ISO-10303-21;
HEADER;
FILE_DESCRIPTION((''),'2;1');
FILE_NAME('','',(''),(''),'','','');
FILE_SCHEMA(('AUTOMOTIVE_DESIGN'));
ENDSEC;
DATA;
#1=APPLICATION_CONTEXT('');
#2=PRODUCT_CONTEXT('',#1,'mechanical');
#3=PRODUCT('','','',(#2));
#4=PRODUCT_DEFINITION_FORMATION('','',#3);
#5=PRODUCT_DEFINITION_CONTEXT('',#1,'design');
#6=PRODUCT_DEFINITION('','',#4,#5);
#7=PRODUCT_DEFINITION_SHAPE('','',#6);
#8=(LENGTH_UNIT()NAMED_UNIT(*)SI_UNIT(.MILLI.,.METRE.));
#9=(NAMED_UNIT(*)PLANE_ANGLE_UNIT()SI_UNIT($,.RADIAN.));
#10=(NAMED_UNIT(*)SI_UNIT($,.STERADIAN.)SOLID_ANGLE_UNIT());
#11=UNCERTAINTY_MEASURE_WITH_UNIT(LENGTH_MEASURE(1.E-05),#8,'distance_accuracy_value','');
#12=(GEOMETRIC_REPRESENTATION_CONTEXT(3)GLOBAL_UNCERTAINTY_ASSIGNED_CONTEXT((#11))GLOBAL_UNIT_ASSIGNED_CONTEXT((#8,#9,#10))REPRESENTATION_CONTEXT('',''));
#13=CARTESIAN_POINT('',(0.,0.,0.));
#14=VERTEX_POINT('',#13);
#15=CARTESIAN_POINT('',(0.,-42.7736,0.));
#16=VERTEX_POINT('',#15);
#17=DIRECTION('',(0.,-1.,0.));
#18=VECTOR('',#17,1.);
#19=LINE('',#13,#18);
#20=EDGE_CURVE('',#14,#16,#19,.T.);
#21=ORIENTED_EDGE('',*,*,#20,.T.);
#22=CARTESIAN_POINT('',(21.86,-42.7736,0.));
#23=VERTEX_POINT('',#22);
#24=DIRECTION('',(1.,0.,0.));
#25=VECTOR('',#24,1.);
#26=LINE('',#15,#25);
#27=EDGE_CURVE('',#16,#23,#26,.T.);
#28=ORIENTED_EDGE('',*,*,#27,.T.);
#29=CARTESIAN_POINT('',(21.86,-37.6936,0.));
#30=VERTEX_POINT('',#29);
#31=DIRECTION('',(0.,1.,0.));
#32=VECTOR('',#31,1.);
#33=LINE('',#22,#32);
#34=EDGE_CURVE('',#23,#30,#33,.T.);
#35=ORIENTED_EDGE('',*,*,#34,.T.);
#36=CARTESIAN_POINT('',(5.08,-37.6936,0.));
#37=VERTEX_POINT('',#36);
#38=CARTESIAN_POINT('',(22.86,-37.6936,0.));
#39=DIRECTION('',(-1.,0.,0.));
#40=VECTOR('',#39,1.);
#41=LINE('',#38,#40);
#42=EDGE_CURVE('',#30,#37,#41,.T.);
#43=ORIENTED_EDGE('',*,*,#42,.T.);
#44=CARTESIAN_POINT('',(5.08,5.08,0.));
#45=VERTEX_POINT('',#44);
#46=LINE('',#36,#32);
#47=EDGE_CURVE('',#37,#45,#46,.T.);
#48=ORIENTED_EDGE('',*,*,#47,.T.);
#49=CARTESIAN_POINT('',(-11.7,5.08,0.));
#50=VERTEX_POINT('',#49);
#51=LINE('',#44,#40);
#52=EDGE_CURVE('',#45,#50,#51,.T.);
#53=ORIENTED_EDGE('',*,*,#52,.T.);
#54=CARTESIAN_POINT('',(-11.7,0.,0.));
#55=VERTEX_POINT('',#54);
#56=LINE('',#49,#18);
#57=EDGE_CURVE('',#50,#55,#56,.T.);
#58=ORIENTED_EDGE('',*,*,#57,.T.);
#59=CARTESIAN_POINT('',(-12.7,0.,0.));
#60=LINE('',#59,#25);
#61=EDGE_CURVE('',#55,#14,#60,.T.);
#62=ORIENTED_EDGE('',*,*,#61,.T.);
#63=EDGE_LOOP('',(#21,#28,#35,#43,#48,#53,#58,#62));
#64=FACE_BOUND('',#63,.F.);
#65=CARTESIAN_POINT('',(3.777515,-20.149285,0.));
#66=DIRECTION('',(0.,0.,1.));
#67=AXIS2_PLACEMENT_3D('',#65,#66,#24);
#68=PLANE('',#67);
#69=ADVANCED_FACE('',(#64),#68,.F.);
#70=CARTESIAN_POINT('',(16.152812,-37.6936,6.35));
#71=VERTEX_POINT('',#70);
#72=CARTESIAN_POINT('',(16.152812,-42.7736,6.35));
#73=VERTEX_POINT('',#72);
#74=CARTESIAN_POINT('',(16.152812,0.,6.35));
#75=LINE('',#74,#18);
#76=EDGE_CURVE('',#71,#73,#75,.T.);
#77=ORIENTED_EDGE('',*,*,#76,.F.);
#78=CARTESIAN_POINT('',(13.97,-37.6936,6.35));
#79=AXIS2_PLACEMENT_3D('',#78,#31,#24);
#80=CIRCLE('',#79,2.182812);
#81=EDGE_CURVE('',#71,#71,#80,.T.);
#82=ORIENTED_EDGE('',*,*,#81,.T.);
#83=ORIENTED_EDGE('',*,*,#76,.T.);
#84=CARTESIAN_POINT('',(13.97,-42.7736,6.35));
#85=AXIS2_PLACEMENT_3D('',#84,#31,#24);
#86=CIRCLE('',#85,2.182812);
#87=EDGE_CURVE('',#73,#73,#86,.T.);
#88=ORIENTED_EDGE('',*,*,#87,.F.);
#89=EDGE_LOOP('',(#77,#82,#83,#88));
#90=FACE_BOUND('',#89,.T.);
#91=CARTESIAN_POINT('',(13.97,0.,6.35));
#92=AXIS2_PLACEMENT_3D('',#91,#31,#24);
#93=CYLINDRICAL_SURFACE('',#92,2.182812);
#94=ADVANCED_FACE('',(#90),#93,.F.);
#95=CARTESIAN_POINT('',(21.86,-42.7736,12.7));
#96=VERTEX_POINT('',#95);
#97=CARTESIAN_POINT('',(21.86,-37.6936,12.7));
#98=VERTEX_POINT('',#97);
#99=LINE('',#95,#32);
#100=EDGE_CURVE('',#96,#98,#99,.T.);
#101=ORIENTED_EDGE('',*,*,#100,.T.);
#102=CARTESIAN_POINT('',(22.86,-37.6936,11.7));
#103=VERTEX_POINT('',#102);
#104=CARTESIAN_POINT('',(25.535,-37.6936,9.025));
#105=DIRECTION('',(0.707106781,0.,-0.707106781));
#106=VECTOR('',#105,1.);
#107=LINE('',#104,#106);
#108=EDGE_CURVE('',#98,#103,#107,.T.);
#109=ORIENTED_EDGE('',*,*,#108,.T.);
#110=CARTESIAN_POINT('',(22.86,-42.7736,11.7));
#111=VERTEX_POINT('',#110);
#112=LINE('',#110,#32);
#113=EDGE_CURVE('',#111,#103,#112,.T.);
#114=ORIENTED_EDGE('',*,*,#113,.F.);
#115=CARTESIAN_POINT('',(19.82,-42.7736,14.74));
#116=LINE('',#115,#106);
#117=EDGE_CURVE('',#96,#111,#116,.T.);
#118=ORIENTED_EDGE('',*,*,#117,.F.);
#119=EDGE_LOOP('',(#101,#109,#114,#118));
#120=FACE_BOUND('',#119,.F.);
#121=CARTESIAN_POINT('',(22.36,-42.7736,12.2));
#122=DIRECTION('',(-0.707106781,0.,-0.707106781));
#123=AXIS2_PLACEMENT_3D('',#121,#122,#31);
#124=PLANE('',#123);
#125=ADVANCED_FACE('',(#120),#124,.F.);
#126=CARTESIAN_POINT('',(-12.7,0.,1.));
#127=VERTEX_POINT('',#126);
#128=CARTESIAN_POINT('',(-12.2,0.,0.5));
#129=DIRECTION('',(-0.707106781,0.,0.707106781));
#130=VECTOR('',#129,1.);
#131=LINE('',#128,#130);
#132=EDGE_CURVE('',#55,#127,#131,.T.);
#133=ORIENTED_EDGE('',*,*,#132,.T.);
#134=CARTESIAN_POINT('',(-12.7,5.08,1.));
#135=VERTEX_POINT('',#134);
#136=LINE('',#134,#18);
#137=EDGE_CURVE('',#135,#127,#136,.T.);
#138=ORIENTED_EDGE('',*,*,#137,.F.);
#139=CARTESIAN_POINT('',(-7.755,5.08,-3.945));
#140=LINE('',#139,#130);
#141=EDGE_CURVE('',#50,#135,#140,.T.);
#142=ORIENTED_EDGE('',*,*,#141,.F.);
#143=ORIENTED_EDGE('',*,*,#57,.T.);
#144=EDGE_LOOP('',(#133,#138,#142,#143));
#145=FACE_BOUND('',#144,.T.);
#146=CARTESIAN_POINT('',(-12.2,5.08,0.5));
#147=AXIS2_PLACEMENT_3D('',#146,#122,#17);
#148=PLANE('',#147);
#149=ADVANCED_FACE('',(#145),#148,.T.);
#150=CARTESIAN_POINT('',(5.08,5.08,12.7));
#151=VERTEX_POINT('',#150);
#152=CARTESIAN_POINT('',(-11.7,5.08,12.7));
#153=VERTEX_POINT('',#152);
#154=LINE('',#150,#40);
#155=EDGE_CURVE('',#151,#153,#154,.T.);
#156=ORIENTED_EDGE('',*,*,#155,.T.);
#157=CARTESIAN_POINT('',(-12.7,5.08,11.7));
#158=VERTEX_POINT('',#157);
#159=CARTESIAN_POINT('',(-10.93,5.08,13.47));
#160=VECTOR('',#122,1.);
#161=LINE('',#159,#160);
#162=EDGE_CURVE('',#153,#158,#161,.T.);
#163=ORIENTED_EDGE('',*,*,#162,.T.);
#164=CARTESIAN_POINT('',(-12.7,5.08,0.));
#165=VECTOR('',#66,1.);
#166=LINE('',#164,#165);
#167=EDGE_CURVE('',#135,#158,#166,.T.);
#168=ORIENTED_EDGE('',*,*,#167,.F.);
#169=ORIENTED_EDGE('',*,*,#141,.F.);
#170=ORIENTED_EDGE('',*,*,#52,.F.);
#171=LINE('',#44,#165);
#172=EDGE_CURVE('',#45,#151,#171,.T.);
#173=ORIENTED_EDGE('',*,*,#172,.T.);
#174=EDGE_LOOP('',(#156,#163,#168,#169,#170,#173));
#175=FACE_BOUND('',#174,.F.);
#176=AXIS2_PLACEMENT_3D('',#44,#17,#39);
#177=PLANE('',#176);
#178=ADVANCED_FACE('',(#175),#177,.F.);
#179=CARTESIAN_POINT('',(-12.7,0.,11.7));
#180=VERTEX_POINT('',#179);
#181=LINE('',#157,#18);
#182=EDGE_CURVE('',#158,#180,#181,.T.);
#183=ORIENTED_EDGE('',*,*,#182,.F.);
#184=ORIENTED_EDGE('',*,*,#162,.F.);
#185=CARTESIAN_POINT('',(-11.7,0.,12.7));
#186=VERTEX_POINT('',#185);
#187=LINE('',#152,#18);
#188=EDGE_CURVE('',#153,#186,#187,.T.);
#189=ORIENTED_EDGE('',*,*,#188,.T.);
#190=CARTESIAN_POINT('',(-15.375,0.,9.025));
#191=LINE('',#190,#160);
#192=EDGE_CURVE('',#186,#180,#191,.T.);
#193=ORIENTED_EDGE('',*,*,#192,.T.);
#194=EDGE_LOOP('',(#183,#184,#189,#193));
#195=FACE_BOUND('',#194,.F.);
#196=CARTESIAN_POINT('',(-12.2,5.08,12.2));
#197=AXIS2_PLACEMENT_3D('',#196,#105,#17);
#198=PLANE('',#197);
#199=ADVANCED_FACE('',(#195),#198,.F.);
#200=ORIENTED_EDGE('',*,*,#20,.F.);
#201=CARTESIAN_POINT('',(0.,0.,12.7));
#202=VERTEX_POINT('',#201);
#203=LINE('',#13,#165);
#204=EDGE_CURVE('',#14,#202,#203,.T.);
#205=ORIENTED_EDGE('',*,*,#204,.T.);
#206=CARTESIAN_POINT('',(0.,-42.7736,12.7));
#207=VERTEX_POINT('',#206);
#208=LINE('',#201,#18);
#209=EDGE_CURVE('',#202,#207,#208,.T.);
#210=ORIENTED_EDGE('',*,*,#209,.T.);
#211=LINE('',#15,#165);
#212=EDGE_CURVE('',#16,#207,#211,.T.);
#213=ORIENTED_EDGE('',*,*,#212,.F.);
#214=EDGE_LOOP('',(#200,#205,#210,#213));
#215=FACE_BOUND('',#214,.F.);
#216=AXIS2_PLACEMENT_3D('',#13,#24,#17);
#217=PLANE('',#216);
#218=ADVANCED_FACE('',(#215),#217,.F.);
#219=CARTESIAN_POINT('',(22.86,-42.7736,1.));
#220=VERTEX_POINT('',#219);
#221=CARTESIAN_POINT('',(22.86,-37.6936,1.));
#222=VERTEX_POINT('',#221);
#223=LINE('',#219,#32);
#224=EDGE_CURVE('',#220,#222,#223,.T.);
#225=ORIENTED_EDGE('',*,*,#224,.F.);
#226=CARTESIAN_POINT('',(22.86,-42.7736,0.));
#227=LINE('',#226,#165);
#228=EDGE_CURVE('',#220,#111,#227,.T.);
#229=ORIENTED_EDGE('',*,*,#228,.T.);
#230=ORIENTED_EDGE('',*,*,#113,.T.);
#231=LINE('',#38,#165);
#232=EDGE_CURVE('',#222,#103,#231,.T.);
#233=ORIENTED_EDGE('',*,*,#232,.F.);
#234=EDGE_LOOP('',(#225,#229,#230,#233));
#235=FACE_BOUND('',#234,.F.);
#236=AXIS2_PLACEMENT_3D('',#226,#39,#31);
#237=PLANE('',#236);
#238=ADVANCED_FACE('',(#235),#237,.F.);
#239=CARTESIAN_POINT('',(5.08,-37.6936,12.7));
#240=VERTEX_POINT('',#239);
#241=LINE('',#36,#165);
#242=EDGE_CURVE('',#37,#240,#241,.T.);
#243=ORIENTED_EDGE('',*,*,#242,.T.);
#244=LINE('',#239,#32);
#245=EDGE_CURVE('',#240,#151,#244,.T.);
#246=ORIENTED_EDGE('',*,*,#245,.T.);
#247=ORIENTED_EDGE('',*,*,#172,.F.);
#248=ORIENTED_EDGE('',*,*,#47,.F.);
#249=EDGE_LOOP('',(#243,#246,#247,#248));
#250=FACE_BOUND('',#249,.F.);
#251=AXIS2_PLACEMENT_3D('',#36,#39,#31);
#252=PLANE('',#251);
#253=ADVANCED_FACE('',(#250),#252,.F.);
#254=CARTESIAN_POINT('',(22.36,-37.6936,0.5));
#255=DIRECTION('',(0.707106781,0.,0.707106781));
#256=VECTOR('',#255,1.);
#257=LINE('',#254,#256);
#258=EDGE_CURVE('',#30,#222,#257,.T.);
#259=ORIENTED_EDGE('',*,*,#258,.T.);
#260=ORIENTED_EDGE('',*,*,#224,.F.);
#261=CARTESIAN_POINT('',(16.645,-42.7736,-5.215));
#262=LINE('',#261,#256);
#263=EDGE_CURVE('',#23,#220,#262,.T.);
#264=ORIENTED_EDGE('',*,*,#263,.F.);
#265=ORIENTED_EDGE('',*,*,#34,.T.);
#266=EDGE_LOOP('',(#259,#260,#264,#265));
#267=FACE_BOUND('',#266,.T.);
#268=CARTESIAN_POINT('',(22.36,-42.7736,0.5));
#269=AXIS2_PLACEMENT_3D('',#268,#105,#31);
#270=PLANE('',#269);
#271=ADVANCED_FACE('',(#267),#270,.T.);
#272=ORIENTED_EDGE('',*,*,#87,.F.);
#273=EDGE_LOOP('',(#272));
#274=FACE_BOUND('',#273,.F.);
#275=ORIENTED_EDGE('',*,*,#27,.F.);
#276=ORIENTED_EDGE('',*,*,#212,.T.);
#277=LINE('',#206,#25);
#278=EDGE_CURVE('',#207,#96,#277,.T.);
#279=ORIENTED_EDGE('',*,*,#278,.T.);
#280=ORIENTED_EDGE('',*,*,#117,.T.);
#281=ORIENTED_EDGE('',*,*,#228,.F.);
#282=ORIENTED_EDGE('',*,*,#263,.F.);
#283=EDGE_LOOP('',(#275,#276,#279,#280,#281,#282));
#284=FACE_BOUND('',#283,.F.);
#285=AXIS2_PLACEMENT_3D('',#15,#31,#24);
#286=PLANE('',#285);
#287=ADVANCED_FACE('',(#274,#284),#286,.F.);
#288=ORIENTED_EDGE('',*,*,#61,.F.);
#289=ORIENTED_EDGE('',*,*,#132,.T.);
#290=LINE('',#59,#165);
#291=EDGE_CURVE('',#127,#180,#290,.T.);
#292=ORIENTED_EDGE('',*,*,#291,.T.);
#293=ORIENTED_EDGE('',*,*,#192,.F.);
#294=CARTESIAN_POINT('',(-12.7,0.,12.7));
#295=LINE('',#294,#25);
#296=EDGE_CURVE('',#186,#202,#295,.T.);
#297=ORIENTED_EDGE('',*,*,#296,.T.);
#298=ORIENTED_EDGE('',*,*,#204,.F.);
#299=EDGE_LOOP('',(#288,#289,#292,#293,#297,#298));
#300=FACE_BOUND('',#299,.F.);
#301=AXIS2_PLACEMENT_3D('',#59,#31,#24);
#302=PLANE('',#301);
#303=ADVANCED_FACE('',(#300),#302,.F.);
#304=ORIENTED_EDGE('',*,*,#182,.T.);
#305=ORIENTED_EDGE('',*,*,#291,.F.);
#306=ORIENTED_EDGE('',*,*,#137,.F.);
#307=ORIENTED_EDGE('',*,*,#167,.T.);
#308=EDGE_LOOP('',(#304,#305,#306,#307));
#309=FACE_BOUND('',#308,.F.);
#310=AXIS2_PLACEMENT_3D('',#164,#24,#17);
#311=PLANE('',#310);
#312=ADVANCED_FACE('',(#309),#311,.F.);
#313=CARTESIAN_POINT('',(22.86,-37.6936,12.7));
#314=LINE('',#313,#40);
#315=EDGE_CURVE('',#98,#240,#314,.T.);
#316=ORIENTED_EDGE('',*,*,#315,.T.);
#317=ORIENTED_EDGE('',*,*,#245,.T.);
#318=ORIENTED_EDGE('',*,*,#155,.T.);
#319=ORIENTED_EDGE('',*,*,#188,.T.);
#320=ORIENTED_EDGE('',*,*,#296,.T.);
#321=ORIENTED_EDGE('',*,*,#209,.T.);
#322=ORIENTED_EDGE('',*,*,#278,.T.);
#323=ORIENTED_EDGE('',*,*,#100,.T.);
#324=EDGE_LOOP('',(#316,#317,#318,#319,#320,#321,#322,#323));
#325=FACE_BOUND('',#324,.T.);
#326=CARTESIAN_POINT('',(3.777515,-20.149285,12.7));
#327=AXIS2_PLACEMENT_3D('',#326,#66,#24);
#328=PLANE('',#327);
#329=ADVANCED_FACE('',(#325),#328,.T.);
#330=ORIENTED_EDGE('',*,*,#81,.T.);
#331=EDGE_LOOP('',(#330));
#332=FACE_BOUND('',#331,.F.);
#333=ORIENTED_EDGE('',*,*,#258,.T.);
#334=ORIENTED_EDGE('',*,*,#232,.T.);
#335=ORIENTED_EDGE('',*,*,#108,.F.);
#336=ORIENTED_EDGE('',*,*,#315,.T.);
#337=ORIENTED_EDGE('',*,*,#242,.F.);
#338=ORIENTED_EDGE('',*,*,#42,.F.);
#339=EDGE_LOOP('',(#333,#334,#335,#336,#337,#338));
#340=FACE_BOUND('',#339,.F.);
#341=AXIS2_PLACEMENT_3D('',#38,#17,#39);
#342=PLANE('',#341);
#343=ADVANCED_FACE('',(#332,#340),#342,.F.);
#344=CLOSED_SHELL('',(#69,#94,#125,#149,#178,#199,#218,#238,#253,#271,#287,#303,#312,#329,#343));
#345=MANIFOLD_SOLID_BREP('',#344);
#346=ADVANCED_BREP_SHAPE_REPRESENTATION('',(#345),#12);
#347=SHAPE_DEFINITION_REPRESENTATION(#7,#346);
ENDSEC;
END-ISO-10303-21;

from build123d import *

# Parameters (mm, degrees)
PAD_DEPTH    = 12.7
SKETCH001_R  = 2.182812
POCKET_DEPTH = 42.7746
CHAMFER_SIZE = 1


with BuildPart() as part:
    # Sketch → Pad (new body)
    with BuildSketch(Plane.XY):
        Polygon((0, -42.7736), (22.86, -42.7736), (22.86, -37.6936), (5.08, -37.6936), (5.08, 5.08), (-12.7, 5.08), (-12.7, 0), (0, 0), align=None)
    extrude(amount=PAD_DEPTH)

    # Sketch001 → Pocket (cut, through all)
    with BuildSketch(Plane.XZ):
        with Locations((13.97, 6.35)):
            Circle(SKETCH001_R)
    extrude(amount=POCKET_DEPTH, mode=Mode.SUBTRACT)

    # Chamfer
    chamfer_edges = [part.edges().sort_by_distance(p)[0] for p in [
        (22.86, -40.2336, 0),
        (22.86, -40.2336, 12.7),
        (-12.7, 2.54, 0),
        (-12.7, 2.54, 12.7),
    ]]
    chamfer(chamfer_edges, length=CHAMFER_SIZE)


solid = part.part
